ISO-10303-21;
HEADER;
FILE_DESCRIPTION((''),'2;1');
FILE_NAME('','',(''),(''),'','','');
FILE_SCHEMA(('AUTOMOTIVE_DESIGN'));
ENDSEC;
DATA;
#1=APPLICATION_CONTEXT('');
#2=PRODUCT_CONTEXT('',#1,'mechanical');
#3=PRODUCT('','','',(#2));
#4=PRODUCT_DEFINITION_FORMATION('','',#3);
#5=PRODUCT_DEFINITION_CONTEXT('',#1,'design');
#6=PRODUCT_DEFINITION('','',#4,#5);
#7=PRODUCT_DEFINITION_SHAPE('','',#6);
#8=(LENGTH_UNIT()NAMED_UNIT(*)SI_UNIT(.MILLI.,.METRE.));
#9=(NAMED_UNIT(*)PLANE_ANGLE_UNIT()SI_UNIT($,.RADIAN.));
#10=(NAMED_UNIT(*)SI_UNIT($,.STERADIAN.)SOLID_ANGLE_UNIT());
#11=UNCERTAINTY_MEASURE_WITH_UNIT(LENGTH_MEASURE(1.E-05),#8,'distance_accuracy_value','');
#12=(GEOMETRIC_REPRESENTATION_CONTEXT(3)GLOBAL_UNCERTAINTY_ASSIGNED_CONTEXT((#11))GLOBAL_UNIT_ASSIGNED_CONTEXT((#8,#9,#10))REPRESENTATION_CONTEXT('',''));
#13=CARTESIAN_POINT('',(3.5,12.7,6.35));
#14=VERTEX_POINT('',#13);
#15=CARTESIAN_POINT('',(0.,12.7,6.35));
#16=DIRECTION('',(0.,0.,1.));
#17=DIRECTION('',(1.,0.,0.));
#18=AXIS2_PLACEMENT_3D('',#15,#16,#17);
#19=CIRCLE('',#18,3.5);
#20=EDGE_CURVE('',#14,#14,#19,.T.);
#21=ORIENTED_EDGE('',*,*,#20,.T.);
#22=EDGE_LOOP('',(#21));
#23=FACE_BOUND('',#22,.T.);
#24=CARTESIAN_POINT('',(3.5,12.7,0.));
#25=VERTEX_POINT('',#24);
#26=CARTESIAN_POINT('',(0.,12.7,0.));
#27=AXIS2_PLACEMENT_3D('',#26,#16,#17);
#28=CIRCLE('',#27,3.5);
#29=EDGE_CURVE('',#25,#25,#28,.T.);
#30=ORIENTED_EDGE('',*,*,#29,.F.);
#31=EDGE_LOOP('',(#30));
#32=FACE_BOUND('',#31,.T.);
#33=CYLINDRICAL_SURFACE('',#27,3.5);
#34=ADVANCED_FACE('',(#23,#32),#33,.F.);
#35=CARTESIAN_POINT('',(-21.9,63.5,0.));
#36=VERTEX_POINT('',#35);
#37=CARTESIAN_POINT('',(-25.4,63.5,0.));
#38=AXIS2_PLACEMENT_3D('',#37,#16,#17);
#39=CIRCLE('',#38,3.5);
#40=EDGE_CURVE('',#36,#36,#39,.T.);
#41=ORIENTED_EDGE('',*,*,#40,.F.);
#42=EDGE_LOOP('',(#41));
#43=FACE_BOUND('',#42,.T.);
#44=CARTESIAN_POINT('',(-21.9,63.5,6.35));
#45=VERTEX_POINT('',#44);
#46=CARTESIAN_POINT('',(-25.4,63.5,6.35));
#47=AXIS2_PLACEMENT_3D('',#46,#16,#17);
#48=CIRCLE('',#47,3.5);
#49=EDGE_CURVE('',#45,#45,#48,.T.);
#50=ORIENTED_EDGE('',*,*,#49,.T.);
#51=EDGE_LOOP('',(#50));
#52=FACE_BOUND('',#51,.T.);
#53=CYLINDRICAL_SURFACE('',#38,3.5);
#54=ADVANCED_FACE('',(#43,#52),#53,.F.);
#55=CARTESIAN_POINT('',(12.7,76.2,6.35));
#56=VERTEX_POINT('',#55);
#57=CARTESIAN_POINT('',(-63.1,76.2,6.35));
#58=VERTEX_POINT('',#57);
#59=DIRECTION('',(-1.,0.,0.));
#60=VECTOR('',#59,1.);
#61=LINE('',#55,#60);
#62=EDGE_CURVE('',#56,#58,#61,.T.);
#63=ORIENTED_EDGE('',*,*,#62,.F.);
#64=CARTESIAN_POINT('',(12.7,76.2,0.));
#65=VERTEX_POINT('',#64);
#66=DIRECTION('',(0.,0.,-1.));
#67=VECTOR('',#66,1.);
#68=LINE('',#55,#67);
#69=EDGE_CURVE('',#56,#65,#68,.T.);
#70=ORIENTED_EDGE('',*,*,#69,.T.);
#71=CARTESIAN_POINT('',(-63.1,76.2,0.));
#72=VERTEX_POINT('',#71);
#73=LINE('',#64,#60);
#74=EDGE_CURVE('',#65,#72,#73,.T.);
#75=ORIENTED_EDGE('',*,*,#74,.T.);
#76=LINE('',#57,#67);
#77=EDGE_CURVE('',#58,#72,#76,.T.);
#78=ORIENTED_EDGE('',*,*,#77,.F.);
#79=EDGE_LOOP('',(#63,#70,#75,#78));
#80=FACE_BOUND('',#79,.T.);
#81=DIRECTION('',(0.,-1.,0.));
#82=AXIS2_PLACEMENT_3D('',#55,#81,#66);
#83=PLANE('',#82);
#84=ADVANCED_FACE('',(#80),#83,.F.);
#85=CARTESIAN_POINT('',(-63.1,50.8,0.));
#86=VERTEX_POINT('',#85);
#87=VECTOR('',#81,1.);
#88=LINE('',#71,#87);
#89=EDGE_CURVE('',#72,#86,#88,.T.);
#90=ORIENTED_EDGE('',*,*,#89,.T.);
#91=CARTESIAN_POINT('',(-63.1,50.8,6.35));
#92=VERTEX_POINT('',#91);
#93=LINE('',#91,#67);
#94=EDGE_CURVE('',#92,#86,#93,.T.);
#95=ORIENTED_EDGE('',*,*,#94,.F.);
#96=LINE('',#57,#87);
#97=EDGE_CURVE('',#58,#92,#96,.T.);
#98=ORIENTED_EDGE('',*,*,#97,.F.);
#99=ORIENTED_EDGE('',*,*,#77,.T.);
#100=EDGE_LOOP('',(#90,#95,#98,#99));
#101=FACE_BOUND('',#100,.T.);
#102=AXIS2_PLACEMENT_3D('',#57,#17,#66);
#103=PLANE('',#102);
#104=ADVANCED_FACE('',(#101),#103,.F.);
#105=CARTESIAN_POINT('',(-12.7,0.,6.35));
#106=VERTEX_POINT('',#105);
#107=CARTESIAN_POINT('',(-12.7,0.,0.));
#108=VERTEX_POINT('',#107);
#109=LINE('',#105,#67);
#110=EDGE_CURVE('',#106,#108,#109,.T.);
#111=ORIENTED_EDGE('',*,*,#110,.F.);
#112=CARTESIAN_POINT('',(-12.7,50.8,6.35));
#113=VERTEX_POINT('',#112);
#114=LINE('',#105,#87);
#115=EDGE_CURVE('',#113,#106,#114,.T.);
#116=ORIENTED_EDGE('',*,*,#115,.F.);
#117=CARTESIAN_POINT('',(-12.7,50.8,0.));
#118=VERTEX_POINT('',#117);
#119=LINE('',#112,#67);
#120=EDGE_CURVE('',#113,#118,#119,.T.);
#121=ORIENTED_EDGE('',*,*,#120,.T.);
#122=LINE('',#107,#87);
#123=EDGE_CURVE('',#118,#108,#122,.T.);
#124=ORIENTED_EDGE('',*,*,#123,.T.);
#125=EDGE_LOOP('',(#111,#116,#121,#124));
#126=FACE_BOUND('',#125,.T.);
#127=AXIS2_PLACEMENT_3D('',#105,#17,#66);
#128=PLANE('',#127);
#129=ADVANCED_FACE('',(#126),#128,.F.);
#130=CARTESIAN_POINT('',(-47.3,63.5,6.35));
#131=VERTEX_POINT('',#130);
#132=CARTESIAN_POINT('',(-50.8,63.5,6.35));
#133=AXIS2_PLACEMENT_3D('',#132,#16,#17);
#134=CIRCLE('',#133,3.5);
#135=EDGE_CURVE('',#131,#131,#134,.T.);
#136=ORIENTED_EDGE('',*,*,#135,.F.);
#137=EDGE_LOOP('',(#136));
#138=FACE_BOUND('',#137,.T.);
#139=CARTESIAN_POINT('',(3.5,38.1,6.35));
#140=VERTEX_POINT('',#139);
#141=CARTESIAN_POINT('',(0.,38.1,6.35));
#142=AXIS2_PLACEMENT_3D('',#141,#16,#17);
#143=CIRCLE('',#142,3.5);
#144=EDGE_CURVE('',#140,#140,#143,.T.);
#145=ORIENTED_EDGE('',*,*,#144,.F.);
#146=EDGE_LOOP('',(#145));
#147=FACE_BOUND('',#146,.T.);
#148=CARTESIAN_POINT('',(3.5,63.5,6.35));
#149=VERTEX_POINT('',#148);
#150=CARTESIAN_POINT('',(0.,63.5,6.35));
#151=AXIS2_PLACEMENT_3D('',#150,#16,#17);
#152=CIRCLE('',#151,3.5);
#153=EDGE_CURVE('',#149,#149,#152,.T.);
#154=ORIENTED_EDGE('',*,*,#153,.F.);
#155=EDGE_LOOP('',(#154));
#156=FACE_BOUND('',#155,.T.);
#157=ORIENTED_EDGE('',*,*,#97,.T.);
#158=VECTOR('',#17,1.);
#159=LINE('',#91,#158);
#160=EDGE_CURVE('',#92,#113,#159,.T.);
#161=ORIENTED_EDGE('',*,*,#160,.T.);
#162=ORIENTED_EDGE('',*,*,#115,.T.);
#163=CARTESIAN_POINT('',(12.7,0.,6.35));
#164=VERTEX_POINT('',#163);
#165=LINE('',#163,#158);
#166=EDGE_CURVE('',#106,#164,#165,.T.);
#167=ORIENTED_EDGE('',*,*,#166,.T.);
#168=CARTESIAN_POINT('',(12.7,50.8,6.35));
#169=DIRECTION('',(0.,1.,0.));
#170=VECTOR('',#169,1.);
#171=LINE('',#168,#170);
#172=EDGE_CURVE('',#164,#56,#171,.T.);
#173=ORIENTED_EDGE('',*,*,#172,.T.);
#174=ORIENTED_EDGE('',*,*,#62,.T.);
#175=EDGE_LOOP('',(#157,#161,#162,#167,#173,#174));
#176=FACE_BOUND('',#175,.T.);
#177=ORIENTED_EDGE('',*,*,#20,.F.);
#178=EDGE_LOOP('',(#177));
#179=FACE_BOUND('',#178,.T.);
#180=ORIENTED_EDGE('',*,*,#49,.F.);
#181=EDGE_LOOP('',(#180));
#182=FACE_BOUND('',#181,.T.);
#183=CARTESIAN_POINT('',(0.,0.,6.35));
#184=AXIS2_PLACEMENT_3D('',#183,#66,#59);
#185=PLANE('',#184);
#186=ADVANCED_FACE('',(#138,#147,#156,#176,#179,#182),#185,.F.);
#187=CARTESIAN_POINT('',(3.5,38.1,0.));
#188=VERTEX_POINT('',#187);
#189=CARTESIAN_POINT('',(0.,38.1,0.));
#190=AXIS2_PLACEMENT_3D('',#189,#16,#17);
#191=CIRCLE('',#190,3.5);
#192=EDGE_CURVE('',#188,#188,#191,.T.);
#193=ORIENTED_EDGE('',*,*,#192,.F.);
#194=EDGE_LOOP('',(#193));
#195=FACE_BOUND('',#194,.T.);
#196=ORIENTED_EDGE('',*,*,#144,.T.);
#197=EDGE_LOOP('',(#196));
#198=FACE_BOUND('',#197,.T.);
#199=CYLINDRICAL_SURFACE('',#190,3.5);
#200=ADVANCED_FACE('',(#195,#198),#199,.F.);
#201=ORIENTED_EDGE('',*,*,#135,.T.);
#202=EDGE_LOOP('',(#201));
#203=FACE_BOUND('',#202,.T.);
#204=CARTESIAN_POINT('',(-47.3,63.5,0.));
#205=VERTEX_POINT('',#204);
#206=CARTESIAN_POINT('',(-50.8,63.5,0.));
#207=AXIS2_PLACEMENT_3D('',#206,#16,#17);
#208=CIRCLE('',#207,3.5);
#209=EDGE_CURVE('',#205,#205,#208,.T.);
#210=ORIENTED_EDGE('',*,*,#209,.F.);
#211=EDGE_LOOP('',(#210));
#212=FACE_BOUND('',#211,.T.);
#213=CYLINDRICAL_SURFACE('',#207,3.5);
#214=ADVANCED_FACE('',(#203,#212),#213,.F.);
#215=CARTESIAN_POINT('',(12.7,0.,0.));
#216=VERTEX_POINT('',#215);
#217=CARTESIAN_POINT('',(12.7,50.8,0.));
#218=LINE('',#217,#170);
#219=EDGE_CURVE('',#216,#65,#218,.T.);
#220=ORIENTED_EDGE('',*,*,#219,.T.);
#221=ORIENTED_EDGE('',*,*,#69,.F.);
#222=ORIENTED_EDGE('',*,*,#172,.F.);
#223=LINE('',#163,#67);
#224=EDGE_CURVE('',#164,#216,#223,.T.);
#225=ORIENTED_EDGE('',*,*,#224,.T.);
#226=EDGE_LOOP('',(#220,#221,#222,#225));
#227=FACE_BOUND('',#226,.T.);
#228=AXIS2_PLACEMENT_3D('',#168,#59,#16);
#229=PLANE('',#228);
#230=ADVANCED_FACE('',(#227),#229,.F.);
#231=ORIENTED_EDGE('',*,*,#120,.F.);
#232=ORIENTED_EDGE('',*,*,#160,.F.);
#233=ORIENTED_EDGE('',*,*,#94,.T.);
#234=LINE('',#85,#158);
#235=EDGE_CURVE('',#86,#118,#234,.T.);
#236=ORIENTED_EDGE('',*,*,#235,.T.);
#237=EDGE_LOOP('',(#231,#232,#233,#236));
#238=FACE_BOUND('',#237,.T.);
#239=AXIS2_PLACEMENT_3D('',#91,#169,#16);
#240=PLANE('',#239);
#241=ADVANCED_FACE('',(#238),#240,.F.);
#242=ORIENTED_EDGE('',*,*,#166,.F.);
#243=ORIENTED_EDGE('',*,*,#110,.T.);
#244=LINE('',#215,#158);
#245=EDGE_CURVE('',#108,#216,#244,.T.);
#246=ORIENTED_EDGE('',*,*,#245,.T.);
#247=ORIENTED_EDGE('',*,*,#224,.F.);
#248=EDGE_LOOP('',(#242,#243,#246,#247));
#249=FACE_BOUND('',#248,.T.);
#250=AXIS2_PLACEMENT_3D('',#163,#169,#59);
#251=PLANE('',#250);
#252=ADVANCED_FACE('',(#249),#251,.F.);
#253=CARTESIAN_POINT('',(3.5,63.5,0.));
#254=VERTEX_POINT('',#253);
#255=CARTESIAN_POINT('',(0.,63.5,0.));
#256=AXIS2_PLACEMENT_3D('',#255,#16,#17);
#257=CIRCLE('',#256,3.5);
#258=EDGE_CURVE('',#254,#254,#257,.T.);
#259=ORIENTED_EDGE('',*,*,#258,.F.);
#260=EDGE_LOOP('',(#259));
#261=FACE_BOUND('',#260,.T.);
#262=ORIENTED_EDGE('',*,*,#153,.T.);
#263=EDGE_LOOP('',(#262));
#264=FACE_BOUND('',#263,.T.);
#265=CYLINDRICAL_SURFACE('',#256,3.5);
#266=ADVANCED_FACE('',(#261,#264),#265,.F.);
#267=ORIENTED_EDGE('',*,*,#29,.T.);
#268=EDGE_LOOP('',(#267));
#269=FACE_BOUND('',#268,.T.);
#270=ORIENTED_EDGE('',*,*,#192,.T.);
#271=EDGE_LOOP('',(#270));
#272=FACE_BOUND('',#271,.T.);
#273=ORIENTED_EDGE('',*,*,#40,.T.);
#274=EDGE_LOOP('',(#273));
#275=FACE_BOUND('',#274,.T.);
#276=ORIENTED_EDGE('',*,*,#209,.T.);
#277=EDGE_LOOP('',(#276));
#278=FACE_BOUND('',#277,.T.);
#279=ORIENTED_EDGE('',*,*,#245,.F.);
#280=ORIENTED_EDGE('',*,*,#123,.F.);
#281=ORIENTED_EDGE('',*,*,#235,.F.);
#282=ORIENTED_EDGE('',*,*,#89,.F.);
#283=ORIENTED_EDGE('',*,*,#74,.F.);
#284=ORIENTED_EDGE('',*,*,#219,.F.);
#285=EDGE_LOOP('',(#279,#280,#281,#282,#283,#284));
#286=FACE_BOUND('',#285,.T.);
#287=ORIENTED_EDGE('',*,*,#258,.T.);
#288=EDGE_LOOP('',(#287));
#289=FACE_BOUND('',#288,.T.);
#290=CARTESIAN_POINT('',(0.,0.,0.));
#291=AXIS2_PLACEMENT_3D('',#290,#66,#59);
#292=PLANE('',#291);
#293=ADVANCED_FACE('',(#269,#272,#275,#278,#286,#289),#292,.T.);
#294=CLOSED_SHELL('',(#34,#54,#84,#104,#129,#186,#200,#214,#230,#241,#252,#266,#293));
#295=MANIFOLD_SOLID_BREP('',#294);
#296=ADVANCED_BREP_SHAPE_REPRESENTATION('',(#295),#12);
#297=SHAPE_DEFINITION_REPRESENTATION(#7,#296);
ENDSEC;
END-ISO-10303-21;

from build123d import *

# Parameters (mm, degrees)
BOSS_EXTRUDE1_DEPTH = 6.35
SKETCH2_R           = 3.5
CUT_EXTRUDE1_DEPTH  = 7.35


with BuildPart() as part:
    # Sketch1 → Boss-Extrude1 (new body)
    with BuildSketch(Plane.XY):
        Polygon((12.7, 0), (-12.7, 0), (-12.7, 50.8), (-63.1, 50.8), (-63.1, 76.2), (12.7, 76.2), (12.7, 50.8), align=None)
    extrude(amount=BOSS_EXTRUDE1_DEPTH)

    # Sketch2 → Cut-Extrude1 (cut, through all)
    with BuildSketch(Plane.XY.offset(6.35)):
        with Locations((0, 63.5)):
            Circle(SKETCH2_R)
        with Locations((-25.4, 63.5)):
            Circle(SKETCH2_R)
        with Locations((0, 38.1)):
            Circle(SKETCH2_R)
        with Locations((0, 12.7)):
            Circle(SKETCH2_R)
        with Locations((-50.8, 63.5)):
            Circle(SKETCH2_R)
    extrude(amount=-CUT_EXTRUDE1_DEPTH, mode=Mode.SUBTRACT)


solid = part.part
